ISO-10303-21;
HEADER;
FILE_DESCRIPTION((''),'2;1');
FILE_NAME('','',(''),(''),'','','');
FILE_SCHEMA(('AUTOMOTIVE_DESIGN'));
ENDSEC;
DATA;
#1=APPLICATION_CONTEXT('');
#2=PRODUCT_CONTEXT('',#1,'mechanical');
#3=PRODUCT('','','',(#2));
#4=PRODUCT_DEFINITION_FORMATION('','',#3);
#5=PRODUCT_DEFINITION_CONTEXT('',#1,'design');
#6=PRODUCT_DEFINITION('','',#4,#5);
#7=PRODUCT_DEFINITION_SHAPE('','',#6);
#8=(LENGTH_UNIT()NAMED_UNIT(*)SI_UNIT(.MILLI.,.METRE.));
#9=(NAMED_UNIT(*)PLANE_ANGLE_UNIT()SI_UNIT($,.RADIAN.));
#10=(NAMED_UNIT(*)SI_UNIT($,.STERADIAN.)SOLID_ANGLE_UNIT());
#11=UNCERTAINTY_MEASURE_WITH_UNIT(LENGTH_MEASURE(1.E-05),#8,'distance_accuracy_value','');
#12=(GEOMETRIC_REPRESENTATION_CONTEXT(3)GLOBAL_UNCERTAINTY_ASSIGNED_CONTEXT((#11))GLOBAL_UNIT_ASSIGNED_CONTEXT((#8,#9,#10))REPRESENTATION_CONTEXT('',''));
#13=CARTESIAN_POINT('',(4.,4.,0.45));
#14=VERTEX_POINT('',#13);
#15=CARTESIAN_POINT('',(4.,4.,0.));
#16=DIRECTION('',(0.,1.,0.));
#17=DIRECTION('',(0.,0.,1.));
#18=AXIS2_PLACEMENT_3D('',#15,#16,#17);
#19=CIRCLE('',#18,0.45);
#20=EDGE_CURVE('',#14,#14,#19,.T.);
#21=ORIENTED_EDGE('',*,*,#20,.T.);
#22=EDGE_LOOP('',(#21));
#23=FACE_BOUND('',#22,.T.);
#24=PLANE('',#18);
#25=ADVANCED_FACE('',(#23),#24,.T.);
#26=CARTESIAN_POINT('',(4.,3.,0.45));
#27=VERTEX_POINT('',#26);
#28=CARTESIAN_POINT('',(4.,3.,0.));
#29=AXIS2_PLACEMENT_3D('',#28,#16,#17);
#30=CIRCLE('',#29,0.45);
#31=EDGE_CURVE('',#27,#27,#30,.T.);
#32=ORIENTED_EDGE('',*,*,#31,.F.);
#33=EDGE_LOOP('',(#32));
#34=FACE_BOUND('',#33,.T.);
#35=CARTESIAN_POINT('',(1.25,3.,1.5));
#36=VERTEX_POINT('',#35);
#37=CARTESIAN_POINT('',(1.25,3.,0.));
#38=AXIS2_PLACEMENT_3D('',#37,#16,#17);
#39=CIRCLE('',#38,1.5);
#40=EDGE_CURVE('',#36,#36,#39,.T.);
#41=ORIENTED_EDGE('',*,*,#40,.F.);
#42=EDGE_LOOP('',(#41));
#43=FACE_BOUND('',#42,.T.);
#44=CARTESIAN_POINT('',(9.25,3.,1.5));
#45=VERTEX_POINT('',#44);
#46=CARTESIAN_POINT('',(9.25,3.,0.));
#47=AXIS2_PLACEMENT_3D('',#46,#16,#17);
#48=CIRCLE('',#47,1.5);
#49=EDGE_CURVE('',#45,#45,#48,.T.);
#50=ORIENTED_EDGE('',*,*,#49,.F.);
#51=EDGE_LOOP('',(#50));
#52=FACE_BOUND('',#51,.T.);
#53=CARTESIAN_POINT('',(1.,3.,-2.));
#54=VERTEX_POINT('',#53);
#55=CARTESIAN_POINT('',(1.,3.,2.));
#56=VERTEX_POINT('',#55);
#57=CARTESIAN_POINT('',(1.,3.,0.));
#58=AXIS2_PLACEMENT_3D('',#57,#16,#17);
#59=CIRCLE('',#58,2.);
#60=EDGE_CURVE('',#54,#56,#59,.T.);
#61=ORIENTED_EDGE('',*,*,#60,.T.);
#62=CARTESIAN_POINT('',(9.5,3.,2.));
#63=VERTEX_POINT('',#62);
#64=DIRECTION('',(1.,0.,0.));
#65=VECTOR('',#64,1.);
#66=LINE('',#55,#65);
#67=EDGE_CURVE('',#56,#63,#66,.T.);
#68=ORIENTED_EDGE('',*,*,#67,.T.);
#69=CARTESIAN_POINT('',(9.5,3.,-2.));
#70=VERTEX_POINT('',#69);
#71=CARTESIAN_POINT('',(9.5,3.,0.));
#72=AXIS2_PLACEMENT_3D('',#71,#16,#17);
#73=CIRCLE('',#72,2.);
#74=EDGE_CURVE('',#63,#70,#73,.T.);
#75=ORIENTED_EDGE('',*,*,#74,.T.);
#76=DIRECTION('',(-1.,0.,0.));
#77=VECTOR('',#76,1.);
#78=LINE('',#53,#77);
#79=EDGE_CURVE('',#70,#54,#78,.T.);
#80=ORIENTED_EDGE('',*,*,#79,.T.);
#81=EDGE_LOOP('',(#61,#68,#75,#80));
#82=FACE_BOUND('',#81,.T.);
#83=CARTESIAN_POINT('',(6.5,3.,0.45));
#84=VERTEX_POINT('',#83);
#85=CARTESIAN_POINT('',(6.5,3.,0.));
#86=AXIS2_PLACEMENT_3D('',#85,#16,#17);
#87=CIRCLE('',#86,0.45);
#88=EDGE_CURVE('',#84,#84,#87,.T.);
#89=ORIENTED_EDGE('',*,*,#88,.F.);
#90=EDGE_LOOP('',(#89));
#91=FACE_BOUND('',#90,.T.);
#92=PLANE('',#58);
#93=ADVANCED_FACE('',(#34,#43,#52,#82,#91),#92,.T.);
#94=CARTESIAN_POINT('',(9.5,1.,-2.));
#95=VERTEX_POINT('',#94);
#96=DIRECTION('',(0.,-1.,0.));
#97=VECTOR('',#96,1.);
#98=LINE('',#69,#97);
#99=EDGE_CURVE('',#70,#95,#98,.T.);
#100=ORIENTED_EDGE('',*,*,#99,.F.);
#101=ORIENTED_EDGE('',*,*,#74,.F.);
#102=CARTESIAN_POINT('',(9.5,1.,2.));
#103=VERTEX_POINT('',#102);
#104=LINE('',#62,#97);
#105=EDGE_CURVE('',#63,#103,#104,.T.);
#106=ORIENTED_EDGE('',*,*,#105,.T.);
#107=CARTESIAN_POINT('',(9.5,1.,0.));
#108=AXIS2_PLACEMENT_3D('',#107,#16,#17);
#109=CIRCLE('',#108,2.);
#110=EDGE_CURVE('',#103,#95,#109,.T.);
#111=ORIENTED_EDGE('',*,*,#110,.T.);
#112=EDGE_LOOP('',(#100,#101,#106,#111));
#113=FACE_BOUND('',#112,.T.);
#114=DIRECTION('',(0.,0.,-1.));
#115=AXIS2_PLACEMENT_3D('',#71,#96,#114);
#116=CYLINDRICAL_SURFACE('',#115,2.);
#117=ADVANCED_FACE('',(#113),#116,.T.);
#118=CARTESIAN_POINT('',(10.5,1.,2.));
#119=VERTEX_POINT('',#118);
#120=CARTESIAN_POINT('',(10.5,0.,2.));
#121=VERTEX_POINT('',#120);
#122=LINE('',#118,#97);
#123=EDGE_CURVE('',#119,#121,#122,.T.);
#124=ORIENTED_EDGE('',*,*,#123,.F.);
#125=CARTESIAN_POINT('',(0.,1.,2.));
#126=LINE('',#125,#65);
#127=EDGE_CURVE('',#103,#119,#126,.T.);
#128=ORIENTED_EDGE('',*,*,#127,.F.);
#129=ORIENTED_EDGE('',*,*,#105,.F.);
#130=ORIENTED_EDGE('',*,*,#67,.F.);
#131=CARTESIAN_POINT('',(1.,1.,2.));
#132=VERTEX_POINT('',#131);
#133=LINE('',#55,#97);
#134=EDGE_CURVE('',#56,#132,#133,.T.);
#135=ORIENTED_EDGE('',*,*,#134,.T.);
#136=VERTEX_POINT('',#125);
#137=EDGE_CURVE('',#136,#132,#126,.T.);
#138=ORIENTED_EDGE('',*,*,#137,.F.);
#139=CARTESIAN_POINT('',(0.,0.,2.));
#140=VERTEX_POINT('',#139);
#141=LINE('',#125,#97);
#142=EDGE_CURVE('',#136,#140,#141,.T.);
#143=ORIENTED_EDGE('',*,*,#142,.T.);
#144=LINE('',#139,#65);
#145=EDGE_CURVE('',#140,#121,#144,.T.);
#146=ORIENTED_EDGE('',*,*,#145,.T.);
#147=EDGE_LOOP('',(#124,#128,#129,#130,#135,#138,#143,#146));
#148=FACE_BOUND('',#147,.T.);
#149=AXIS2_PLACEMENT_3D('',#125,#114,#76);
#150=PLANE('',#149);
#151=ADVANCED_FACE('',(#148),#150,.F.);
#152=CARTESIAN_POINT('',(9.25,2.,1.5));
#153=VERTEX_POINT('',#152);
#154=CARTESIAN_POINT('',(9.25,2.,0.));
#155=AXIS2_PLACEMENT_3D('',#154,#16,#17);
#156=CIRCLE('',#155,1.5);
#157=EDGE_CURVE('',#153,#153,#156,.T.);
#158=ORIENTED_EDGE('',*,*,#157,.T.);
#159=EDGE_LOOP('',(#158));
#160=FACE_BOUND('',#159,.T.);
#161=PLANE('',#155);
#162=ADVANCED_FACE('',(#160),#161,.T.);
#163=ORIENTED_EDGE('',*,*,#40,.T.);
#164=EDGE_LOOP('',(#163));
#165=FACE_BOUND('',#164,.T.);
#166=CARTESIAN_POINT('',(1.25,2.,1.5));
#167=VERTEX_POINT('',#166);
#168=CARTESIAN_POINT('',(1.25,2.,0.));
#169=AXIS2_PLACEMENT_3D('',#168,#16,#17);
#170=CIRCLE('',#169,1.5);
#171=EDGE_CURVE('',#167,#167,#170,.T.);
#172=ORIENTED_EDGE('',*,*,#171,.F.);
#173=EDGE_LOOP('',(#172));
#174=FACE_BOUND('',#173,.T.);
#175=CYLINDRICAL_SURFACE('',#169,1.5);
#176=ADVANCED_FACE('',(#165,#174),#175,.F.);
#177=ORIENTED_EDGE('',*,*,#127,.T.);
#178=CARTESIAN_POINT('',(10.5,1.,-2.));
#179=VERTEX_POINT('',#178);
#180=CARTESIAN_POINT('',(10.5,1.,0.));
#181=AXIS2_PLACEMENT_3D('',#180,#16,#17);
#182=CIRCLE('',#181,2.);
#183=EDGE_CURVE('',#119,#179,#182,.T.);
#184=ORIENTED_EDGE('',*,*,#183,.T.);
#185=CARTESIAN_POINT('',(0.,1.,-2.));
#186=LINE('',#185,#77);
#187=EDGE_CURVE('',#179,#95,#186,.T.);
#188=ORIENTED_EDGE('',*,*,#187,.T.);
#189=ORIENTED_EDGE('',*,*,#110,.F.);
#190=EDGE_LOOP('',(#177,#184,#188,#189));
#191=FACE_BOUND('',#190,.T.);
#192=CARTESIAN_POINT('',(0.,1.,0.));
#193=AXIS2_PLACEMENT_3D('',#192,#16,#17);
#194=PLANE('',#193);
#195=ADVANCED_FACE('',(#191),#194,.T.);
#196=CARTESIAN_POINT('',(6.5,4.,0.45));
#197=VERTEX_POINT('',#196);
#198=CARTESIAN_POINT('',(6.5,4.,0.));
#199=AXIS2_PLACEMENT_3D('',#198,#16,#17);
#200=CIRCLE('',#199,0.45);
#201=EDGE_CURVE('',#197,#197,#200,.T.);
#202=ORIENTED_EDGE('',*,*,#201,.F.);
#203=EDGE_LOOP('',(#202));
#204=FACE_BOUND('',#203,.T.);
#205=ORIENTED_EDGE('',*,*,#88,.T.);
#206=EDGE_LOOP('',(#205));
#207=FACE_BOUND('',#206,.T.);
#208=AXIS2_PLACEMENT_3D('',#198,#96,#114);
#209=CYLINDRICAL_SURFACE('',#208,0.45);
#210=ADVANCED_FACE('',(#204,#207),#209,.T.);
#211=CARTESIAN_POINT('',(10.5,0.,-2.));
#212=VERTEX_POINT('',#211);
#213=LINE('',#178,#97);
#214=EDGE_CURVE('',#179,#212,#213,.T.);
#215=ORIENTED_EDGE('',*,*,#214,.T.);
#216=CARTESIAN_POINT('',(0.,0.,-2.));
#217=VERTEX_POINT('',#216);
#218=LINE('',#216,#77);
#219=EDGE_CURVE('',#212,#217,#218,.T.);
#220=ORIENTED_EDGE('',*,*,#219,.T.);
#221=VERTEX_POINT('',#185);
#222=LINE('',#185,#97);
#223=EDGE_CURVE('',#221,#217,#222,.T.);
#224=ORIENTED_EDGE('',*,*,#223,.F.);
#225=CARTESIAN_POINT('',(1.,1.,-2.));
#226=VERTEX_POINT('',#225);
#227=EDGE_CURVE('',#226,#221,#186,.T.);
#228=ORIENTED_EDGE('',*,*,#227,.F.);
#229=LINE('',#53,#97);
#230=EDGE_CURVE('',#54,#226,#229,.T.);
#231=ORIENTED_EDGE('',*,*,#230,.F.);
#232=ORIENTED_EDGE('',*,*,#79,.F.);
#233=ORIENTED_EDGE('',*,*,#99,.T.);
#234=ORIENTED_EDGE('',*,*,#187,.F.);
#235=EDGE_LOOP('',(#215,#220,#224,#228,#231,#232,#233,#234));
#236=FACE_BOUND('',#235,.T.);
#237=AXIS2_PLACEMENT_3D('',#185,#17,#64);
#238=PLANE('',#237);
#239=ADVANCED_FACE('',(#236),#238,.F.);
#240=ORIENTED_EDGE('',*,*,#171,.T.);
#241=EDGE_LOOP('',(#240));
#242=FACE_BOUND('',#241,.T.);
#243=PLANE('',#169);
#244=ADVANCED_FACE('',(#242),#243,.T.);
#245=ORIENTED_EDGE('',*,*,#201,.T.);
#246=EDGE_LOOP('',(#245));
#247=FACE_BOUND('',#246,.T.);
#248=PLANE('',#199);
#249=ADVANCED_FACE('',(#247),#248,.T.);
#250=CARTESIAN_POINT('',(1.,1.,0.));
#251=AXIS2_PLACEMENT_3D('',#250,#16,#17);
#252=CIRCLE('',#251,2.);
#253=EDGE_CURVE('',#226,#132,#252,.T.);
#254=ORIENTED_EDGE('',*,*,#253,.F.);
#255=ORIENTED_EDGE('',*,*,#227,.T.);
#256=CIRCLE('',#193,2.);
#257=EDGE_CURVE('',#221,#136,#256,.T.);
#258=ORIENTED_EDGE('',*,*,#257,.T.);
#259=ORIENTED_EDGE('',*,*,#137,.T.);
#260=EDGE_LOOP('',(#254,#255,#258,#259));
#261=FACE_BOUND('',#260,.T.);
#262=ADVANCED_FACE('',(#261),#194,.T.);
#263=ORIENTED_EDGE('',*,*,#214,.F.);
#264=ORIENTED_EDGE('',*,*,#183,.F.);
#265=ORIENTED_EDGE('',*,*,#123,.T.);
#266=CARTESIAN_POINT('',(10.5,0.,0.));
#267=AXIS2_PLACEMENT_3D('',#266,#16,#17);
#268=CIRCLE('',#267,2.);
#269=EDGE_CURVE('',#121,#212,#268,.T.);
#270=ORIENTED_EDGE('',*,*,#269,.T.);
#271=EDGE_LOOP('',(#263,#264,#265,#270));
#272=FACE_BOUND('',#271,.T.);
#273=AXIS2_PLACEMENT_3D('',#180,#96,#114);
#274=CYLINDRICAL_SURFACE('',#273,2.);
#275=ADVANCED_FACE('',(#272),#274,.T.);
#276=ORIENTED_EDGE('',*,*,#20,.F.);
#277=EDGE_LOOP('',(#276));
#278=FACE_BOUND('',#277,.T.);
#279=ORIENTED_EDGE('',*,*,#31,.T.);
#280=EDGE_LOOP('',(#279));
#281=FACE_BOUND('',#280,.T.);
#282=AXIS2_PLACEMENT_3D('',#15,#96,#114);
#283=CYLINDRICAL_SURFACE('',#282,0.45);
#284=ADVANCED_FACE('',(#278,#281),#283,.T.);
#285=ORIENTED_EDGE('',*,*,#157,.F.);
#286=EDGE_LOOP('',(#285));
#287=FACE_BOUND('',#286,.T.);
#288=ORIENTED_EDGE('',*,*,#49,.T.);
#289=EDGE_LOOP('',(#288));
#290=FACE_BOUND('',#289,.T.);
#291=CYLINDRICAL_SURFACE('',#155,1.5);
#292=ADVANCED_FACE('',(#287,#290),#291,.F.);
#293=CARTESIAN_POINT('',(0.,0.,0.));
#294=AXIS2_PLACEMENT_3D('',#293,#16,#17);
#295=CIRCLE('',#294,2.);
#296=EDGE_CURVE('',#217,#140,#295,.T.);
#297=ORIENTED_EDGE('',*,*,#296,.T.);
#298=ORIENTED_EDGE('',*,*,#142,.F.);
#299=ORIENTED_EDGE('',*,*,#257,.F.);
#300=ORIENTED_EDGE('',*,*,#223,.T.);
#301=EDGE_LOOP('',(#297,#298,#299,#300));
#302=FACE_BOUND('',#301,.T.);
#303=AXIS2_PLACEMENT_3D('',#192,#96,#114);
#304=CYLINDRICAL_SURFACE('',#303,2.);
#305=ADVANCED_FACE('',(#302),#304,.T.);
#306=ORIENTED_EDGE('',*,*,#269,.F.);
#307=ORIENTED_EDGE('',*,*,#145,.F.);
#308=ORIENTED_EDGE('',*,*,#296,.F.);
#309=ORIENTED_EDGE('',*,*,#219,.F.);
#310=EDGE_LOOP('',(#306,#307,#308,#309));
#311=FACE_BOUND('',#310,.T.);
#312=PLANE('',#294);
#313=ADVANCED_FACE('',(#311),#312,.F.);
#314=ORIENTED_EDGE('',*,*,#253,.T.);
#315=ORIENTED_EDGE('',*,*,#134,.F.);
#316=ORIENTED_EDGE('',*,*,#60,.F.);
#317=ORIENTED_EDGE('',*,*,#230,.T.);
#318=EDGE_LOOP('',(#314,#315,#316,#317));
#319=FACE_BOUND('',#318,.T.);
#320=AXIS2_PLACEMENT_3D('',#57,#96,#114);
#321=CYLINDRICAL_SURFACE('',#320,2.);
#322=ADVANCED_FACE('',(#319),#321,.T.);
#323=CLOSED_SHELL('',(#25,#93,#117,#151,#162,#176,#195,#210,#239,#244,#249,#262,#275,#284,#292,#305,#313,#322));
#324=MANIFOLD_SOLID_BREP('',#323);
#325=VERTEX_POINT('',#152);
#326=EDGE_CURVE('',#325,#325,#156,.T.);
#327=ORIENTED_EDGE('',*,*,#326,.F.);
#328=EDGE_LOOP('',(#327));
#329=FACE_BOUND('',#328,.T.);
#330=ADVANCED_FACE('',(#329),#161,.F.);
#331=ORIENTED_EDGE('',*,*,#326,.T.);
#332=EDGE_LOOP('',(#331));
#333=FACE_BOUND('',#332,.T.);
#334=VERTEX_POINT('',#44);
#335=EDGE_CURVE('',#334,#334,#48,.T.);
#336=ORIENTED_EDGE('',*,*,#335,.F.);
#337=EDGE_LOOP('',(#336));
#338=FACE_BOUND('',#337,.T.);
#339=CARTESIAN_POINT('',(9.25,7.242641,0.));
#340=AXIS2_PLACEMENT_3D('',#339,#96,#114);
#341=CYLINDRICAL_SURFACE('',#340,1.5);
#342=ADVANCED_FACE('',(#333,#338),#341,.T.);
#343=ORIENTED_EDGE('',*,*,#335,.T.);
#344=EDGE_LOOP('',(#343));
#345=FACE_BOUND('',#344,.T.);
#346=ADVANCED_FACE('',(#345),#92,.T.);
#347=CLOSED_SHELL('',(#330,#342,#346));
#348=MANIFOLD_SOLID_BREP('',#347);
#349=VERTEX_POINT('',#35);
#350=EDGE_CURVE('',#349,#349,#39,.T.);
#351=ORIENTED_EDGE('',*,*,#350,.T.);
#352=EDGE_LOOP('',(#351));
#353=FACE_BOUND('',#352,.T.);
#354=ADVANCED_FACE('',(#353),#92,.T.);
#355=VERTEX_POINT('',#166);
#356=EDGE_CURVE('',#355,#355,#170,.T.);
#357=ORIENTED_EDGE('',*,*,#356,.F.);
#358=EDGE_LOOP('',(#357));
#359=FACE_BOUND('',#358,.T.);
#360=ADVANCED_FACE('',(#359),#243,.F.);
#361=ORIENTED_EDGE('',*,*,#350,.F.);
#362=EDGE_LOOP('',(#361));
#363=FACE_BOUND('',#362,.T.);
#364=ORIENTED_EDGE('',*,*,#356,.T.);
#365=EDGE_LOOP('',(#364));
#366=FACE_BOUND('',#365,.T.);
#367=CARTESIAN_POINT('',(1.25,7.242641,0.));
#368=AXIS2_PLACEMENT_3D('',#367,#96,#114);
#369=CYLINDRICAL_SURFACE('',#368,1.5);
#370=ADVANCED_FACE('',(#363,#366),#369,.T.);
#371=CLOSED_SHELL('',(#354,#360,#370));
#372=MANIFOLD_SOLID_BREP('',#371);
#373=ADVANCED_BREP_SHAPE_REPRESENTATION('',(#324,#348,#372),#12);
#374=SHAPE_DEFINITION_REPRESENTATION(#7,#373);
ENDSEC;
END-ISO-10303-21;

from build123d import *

# Parameters (mm, degrees)
BOSS_EXTRUDE2_DEPTH   = 1
BOSS_EXTRUDE3_DEPTH   = 2
SKETCH7_R             = 1.5
SKETCH7_R_2           = 0.45
CUT_EXTRUDE1_DEPTH    = 1
SKETCH8_R             = 1.5
BOSS_EXTRUDE4_DEPTH   = 1
BOSS_EXTRUDE4_2_DEPTH = 1
BOSS_EXTRUDE12_START  = 2
SKETCH9_R             = 0.45
BOSS_EXTRUDE12_DEPTH  = 2


with BuildPart() as part:
    # Sketch4 → Boss-Extrude2 (new body)
    with BuildSketch(Plane(origin=(0, 0, 0), x_dir=(1, 0, 0), z_dir=(0, 1, 0))):
        with BuildLine():
            Line((0, 2), (10.5, 2))
            ThreePointArc((10.5, 2), (12.5, 0), (10.5, -2))
            Line((10.5, -2), (0, -2))
            ThreePointArc((0, -2), (-2, 0), (0, 2))
        make_face()
    extrude(amount=BOSS_EXTRUDE2_DEPTH)

    # Sketch5 → Boss-Extrude3 (add)
    with BuildSketch(Plane(origin=(0, 1, 0), x_dir=(1, 0, 0), z_dir=(0, 1, 0))):
        with BuildLine():
            Line((1, 2), (9.5, 2))
            ThreePointArc((9.5, 2), (11.5, 0), (9.5, -2))
            Line((9.5, -2), (1, -2))
            ThreePointArc((1, -2), (-1, 0), (1, 2))
        make_face()
    extrude(amount=BOSS_EXTRUDE3_DEPTH)

    # Sketch7 → Cut-Extrude1 (cut)
    with BuildSketch(Plane(origin=(0, 3, 0), x_dir=(1, 0, 0), z_dir=(0, 1, 0))):
        with Locations(Location((1.25, 0, 0), (0, 0, 270))):
            Circle(SKETCH7_R)
        with Locations(Location((9.25, 0, 0), (0, 0, 270))):
            Circle(SKETCH7_R)
        with Locations(Location((4, 0, 0), (0, 0, 270))):
            Circle(SKETCH7_R_2)
        with Locations(Location((6.5, 0, 0), (0, 0, 270))):
            Circle(SKETCH7_R_2)
    extrude(amount=-CUT_EXTRUDE1_DEPTH, mode=Mode.SUBTRACT)

    # Sketch9 → Boss-Extrude12 (add)
    with BuildSketch(Plane(origin=(0, 2, 0), x_dir=(1, 0, 0), z_dir=(0, 1, 0)).offset(BOSS_EXTRUDE12_START)):
        with Locations(Location((4, 0, 0), (0, 0, 270))):
            Circle(SKETCH9_R)
        with Locations(Location((6.5, 0, 0), (0, 0, 270))):
            Circle(SKETCH9_R)
    extrude(amount=-BOSS_EXTRUDE12_DEPTH)


with BuildPart() as body_2:
    # Sketch8 → Boss-Extrude4 (new body)
    with BuildSketch(Plane(origin=(0, 2, 0), x_dir=(1, 0, 0), z_dir=(0, 1, 0))):
        with Locations(Location((1.25, 0, 0), (0, 0, 270))):
            Circle(SKETCH8_R)
    extrude(amount=BOSS_EXTRUDE4_DEPTH)


with BuildPart() as body_3:
    # Sketch8 → Boss-Extrude4 2 (new body)
    with BuildSketch(Plane(origin=(0, 2, 0), x_dir=(1, 0, 0), z_dir=(0, 1, 0))):
        with Locations(Location((9.25, 0, 0), (0, 0, 270))):
            Circle(SKETCH8_R)
    extrude(amount=BOSS_EXTRUDE4_2_DEPTH)


solid = Compound([part.part, body_2.part, body_3.part])
